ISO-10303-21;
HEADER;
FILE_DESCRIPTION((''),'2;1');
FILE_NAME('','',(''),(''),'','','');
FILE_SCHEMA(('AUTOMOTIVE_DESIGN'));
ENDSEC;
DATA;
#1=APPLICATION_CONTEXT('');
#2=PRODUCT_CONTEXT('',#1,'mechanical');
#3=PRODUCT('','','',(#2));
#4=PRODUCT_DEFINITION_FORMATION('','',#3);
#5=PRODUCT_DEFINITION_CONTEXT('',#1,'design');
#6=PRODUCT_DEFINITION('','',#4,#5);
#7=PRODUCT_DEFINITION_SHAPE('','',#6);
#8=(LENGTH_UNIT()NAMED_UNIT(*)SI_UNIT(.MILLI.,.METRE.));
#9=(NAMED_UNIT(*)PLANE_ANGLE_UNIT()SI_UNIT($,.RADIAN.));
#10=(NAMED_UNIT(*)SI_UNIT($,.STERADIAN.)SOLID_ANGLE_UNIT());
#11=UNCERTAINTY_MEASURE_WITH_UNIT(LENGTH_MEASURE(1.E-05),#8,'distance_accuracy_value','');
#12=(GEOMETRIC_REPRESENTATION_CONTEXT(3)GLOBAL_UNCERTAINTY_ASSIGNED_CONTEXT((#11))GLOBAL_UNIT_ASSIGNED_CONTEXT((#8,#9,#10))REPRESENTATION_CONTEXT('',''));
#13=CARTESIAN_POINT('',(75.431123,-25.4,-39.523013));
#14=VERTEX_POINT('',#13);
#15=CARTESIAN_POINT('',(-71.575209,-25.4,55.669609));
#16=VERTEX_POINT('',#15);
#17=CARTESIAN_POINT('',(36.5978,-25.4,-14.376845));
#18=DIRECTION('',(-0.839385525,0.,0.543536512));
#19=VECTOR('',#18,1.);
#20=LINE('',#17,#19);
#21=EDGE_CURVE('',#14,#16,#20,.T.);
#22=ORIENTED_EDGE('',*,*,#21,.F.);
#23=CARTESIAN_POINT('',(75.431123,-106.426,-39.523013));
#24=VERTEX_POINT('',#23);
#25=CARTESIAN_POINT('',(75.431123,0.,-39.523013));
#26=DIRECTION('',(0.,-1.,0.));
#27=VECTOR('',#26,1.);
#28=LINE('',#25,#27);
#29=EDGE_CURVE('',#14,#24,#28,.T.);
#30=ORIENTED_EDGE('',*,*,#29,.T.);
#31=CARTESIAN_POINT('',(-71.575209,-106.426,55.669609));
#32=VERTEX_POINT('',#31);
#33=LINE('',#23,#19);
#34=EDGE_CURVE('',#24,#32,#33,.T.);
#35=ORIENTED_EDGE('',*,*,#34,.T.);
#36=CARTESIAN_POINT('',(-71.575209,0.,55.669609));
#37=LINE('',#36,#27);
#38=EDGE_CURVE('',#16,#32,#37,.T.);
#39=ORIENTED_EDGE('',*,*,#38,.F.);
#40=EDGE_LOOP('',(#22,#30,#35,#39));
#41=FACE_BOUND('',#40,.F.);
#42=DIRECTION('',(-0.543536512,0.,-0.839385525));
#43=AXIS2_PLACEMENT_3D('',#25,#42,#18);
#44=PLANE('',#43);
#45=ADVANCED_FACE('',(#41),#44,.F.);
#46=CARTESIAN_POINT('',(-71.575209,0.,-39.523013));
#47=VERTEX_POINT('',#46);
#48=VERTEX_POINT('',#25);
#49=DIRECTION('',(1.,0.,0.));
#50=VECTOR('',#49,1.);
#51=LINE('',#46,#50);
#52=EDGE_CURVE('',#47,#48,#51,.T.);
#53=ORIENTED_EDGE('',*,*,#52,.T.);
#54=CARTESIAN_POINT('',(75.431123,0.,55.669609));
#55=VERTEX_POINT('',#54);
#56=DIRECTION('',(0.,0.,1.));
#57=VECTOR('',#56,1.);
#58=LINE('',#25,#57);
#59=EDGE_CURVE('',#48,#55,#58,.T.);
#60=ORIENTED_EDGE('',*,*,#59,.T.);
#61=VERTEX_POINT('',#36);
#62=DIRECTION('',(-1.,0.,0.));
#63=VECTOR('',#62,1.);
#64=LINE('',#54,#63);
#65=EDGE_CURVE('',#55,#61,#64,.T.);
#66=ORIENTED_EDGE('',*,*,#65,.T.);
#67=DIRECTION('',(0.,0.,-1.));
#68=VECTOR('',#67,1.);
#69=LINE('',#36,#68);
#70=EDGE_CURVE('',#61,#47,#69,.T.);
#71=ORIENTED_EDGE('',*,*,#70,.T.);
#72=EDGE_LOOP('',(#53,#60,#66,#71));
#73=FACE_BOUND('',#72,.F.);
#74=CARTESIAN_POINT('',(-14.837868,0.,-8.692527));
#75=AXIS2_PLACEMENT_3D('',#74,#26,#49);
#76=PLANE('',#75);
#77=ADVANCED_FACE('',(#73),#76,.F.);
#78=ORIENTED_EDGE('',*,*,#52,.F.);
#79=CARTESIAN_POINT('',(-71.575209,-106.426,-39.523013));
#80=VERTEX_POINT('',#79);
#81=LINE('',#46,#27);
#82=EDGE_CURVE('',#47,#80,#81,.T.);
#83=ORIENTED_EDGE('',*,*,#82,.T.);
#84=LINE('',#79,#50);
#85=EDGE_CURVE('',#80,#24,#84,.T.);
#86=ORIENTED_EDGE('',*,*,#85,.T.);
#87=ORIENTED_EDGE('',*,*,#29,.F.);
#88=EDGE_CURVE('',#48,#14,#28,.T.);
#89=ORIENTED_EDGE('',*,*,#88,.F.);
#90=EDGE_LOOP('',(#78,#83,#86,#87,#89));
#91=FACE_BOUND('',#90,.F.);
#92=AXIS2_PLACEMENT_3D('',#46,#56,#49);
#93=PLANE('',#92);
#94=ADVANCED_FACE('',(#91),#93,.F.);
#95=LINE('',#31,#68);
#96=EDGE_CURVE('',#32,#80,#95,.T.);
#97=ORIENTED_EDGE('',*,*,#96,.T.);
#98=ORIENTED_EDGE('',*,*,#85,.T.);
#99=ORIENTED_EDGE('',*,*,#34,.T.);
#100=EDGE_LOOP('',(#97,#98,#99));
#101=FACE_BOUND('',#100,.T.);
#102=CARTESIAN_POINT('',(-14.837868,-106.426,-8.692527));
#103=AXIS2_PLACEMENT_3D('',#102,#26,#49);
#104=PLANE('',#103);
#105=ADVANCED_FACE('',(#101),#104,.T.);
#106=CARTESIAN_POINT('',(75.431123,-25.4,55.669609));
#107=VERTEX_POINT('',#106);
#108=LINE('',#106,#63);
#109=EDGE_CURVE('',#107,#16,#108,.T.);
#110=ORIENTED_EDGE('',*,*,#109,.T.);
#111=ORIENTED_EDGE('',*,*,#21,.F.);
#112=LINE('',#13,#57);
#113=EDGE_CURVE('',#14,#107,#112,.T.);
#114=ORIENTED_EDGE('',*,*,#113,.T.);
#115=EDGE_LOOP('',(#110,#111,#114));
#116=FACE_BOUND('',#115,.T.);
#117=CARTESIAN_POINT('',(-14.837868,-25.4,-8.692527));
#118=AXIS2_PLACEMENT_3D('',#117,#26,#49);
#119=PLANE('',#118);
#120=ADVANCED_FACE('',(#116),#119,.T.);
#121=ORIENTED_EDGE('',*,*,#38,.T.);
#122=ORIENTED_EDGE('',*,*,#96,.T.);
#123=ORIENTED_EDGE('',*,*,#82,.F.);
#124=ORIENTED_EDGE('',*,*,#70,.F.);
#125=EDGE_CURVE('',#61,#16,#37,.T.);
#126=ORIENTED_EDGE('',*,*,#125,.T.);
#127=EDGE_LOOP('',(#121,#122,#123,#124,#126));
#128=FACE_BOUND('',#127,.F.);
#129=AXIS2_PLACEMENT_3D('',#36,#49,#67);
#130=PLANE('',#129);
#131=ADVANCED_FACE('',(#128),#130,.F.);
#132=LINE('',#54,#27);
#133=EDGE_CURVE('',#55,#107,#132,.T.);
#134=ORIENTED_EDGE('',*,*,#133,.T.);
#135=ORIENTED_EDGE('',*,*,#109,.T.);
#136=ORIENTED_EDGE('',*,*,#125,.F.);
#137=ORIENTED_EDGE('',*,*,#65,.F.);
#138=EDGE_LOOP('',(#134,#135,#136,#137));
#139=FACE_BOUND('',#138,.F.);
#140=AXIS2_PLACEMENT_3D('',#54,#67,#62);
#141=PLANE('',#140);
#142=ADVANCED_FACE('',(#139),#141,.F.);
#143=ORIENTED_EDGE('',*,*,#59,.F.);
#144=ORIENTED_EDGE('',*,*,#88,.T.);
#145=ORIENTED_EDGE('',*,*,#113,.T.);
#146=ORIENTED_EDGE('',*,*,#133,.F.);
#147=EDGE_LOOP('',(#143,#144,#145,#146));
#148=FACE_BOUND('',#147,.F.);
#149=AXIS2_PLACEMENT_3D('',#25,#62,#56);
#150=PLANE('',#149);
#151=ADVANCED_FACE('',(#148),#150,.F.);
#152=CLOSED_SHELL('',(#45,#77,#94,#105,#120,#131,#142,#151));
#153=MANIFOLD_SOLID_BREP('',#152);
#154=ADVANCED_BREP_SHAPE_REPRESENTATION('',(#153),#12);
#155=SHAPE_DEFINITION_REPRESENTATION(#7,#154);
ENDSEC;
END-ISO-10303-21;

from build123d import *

# Parameters (mm, degrees)
F1_DEPTH = 106.426
F2_DEPTH = 25.4


with BuildPart() as f1:
    # F0 (on Front) → F1 (new body)
    with BuildSketch(Plane.XZ):
        Polygon((75.431123, -39.523013), (-71.575209, 55.669609), (-71.575209, -39.523013), align=None)
    extrude(amount=F1_DEPTH)

    # F0 (on Front) → F2 (join)
    with BuildSketch(Plane.XZ):
        Polygon((75.431123, -39.523013), (-71.575209, 55.669609), (-71.575209, -39.523013), align=None)
        Polygon((75.431123, 55.669609), (-71.575209, 55.669609), (75.431123, -39.523013), align=None)
    extrude(amount=F2_DEPTH)


solid = f1.part
